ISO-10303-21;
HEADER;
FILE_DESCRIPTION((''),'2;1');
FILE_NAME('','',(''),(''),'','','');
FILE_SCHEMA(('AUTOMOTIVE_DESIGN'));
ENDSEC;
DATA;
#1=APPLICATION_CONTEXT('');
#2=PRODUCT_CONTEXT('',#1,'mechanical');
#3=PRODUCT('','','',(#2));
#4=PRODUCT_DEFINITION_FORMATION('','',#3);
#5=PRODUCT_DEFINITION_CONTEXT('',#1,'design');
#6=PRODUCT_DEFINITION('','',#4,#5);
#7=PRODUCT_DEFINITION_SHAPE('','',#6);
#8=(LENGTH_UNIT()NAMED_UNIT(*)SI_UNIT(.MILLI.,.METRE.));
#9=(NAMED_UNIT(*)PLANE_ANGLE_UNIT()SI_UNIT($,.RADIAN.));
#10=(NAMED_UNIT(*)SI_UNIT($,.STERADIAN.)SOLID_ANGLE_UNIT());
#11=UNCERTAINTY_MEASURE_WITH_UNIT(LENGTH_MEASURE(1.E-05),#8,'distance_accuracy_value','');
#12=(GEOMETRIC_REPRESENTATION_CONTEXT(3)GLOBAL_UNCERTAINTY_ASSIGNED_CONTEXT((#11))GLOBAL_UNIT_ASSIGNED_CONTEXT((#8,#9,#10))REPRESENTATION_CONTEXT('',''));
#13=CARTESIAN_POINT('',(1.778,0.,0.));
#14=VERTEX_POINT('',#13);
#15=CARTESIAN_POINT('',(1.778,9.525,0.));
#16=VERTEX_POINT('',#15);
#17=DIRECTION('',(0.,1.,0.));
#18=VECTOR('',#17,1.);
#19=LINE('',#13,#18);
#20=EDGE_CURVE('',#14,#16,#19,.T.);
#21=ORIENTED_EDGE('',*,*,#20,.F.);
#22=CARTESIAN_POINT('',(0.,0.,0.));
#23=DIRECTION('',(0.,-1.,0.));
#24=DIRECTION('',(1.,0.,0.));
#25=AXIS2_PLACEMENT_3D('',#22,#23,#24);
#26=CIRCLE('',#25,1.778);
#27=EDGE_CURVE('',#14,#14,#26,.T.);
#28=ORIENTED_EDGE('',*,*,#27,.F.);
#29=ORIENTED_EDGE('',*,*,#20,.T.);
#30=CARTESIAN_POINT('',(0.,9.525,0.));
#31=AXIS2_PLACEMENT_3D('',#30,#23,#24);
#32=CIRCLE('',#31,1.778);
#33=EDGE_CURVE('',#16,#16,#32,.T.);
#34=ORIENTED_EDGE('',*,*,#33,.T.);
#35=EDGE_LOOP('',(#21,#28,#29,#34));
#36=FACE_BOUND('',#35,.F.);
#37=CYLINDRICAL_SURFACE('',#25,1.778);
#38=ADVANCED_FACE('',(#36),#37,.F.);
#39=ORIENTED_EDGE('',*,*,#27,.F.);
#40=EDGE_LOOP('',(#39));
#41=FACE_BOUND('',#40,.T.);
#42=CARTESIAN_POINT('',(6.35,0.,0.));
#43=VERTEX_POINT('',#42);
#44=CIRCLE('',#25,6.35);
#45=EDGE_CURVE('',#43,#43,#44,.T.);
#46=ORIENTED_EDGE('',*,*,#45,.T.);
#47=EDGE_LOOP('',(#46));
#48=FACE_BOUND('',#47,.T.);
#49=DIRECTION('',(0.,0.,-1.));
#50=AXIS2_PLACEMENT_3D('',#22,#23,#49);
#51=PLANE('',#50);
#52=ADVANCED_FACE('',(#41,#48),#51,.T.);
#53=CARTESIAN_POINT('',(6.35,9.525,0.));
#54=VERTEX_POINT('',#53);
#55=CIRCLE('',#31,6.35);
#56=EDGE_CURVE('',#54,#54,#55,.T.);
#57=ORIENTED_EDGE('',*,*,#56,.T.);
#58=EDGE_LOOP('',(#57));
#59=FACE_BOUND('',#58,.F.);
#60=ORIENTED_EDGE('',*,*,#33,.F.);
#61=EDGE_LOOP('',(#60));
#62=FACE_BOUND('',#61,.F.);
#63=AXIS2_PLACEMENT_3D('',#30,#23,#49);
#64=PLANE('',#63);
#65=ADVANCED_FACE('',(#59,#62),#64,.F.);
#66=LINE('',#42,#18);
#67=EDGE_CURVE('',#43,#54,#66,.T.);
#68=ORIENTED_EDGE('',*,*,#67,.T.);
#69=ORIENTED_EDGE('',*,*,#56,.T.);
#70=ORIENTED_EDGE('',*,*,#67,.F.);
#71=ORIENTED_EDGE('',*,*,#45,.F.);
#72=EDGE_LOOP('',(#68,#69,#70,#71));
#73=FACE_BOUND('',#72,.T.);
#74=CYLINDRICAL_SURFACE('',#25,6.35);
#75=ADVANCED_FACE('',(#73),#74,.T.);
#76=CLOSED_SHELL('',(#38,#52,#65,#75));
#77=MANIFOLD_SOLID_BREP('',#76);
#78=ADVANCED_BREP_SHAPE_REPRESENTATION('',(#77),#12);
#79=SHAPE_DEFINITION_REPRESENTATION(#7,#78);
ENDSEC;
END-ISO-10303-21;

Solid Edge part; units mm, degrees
sketch "Sketch1" plane through (0, 0, 0) normal (0, -1, 0) x (1, 0, 0)
  circle A0 centre (0, 0) radius 6.35
  circle A1 centre (0, 0) radius 1.778
  dimension "D1" = 3.556
  dimension "D2" = 12.7
extrude "Protrusion1" add sketch "Sketch1" against normal blind 9.525
properties part number "94639A512" material "Polypropylene, general purpose"
